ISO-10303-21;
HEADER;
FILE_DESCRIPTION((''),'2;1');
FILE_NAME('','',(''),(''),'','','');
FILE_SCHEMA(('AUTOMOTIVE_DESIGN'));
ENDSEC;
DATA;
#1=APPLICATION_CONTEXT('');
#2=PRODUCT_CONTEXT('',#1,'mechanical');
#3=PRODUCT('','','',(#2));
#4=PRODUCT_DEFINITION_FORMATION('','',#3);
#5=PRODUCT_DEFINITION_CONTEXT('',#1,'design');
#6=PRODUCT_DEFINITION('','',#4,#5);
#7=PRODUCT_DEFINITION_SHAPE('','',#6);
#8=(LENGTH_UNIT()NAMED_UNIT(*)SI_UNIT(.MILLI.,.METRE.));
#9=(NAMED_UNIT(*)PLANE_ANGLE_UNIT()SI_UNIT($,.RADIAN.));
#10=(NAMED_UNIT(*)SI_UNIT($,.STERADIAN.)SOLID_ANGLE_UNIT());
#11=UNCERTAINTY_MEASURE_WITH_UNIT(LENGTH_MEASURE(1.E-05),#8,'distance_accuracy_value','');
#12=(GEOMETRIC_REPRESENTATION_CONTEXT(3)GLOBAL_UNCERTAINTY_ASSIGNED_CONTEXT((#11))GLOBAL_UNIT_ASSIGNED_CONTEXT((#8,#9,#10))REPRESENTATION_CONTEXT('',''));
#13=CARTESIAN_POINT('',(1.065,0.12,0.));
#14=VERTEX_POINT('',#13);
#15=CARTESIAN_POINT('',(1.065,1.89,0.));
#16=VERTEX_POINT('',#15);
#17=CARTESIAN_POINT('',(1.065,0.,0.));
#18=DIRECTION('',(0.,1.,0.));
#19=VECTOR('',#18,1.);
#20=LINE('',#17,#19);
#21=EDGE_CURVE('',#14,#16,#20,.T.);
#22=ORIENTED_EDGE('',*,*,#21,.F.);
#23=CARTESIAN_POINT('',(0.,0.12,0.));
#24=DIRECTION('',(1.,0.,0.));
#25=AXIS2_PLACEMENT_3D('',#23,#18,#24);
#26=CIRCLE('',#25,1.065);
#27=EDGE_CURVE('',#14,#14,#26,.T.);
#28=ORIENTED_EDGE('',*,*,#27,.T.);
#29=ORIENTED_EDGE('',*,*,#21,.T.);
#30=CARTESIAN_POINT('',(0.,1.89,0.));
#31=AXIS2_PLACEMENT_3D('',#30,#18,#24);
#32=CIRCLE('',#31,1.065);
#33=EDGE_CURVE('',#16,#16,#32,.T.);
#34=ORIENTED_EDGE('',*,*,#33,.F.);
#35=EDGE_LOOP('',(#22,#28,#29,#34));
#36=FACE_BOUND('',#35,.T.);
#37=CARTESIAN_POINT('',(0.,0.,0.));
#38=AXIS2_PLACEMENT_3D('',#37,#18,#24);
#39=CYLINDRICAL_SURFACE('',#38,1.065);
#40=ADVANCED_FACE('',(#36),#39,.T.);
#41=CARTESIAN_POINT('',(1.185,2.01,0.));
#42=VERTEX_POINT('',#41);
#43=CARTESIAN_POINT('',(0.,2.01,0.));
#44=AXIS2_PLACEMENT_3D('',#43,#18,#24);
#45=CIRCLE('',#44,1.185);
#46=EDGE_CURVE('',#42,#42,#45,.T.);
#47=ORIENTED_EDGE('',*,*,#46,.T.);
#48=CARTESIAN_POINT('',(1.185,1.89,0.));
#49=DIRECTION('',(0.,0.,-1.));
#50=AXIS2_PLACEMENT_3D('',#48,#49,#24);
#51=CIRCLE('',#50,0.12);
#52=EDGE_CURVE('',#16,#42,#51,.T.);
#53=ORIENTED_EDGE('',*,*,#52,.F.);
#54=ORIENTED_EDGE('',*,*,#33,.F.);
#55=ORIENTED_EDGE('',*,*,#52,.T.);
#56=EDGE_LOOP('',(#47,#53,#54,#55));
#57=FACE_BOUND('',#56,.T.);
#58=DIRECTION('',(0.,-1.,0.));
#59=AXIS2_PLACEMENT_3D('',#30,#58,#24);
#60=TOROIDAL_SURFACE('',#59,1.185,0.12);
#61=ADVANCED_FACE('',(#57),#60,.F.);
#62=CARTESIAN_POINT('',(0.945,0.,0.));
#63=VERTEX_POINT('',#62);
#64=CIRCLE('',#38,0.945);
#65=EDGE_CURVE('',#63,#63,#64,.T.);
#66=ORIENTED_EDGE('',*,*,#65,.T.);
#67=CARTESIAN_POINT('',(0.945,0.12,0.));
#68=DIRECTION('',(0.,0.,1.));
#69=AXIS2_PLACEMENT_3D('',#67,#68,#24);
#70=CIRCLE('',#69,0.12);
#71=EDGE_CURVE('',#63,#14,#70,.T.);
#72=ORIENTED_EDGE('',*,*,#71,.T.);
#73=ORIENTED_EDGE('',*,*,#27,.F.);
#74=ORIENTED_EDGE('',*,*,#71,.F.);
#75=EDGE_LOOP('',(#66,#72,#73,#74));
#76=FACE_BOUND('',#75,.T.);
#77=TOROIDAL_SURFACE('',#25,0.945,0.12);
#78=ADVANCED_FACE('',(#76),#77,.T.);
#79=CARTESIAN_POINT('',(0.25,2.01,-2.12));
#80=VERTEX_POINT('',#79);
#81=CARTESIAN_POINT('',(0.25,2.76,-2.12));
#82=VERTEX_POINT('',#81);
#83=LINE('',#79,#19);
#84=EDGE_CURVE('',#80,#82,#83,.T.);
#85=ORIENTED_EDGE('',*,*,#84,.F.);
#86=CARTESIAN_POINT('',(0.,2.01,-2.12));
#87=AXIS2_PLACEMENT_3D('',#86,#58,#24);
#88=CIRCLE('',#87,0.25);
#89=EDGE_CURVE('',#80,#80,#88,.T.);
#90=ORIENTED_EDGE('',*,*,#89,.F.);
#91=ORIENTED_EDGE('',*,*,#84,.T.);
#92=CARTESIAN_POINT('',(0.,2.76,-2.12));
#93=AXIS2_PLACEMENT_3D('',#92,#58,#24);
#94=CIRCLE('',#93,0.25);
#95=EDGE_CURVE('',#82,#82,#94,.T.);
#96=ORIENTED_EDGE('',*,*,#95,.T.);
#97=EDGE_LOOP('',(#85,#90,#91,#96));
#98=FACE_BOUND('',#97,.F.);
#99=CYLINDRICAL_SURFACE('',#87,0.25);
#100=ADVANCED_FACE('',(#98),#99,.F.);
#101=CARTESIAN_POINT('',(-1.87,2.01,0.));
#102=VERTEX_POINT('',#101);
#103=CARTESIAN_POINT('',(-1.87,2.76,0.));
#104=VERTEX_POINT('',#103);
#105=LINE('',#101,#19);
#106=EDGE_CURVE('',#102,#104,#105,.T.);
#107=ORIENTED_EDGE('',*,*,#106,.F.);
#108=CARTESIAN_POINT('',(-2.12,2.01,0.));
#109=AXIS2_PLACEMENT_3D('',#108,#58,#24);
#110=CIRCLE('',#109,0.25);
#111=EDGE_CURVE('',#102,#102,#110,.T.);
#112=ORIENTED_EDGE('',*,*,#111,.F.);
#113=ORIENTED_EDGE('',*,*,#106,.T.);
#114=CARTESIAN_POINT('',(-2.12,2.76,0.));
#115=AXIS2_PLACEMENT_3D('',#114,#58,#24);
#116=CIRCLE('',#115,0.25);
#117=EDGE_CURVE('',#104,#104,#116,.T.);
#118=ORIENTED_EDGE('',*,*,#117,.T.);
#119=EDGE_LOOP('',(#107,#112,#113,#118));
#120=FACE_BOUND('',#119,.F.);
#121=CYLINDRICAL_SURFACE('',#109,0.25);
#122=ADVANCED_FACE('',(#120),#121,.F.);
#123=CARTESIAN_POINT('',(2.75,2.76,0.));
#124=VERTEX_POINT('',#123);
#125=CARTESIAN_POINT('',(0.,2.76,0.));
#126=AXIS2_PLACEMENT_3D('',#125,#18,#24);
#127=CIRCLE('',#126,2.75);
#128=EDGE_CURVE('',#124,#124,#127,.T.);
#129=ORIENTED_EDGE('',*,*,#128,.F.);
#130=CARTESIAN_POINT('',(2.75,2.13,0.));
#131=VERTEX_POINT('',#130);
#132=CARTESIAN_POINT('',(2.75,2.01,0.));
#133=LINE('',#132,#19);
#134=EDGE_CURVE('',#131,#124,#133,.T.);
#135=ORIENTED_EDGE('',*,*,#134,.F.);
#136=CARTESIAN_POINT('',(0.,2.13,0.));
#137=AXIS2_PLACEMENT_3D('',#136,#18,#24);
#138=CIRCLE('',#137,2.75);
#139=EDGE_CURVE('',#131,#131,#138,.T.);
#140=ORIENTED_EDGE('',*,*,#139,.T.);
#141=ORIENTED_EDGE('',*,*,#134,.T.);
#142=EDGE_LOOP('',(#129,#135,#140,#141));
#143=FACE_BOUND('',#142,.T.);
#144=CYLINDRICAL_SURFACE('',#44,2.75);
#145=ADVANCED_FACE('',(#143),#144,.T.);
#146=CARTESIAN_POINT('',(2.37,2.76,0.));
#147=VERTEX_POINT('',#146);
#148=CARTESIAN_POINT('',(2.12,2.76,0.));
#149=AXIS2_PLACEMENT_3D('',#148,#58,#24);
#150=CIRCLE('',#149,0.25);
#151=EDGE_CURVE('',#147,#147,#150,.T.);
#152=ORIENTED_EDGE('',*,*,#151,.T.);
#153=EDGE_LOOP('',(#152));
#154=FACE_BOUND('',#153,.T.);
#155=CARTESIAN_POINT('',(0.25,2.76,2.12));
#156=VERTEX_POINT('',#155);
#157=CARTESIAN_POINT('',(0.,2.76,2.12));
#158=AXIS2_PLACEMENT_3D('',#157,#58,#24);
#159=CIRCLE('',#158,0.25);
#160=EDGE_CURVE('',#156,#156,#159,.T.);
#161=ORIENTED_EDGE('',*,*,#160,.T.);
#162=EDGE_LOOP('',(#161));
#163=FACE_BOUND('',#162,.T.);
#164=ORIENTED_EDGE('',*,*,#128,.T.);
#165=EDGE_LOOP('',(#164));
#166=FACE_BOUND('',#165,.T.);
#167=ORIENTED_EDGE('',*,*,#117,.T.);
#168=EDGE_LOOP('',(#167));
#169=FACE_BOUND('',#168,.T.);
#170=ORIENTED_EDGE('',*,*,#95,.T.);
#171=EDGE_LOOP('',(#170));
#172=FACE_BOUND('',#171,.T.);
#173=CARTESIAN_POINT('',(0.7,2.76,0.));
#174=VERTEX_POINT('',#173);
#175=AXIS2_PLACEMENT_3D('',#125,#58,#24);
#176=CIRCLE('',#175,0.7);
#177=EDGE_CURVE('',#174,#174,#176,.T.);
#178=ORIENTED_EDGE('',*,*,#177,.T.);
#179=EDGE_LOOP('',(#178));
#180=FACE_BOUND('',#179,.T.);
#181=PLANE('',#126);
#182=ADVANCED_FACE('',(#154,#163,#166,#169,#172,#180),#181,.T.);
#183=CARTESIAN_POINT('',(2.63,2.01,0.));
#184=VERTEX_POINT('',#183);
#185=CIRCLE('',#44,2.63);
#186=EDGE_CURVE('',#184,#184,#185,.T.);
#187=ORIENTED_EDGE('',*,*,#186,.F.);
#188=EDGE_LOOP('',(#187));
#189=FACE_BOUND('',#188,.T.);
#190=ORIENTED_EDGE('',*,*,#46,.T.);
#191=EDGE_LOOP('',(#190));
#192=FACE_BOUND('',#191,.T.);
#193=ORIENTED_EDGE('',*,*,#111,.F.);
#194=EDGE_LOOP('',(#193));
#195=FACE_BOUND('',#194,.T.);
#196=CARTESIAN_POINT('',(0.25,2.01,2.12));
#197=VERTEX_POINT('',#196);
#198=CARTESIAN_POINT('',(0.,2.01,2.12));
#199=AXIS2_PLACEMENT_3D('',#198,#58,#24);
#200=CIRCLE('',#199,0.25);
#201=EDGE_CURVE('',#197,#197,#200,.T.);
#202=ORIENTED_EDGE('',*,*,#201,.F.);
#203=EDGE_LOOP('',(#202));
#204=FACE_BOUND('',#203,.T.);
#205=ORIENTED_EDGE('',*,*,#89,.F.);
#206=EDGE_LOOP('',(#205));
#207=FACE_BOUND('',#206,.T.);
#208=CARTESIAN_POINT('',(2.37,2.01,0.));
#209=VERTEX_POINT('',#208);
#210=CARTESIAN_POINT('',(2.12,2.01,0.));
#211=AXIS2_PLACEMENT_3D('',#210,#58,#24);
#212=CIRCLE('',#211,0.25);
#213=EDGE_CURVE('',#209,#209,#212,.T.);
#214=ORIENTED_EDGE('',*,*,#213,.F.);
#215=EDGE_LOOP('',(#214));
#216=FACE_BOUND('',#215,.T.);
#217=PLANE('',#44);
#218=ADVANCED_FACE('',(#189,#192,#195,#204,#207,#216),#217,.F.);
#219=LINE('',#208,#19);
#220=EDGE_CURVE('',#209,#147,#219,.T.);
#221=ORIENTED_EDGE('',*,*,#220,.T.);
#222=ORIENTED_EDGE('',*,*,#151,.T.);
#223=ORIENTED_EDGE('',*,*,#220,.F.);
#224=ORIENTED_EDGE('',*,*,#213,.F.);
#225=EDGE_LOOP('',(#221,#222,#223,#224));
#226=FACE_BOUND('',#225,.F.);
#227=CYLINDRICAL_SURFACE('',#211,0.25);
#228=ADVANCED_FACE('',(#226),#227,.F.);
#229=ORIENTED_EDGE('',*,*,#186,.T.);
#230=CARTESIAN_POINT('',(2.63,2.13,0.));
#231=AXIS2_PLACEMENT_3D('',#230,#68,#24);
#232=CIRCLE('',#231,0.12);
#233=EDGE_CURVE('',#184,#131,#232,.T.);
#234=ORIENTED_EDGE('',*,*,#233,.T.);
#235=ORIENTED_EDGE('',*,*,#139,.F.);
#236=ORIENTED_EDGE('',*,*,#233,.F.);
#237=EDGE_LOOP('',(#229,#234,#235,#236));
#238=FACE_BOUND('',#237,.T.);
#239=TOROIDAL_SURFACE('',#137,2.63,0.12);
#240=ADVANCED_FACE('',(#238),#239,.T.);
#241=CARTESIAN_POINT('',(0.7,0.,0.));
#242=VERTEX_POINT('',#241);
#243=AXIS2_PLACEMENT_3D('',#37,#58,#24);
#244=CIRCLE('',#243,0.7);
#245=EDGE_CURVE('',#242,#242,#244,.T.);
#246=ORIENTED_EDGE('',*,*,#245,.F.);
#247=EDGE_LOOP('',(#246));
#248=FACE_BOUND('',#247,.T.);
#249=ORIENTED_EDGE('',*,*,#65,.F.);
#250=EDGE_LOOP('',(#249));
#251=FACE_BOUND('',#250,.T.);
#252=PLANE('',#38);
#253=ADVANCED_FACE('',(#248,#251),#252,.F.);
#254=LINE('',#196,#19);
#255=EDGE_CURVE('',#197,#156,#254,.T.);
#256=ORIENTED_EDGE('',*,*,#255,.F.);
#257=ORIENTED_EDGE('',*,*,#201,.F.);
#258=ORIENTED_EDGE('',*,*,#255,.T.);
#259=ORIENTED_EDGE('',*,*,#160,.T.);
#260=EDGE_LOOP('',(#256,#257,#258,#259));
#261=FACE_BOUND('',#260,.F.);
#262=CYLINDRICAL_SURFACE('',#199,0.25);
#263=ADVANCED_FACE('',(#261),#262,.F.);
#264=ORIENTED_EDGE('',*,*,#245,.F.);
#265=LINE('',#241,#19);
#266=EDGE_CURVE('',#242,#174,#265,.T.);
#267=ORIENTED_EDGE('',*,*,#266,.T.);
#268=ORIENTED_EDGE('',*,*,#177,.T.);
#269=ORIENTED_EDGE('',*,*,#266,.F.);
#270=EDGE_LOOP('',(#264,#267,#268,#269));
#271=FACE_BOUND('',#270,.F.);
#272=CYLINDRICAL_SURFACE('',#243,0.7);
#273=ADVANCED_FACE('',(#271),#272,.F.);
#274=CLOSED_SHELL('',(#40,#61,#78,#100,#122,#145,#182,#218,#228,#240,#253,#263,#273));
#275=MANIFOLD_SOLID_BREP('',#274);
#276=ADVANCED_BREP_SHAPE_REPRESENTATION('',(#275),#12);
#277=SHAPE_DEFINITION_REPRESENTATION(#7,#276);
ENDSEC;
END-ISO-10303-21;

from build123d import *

# Parameters (mm, degrees)
F2_R     = 0.7
F3_DEPTH = 2.761
F4_R     = 0.25
F5_DEPTH = 0.751
F6_R     = 0.12


with BuildPart() as f1:
    # F0 (on Top) → F1 (revolve)
    with BuildSketch(Plane.XY):
        Polygon((0, 2.76), (0, 0), (1.065, 0), (1.065, 2.01), (2.75, 2.01), (2.75, 2.76), align=None)
    revolve(axis=Axis((0, 1.38, 0), (0, 1, 0)))

    # F2 (on face) → F3 (cut, through all)
    with BuildSketch(Plane.XZ):
        Circle(F2_R)
    extrude(amount=-F3_DEPTH, mode=Mode.SUBTRACT)

    # F4 (on face) → F5 (cut, through all)
    with BuildSketch(Plane.XZ.offset(-2.01)):
        with Locations((0, 2.12)):
            Circle(F4_R)
        with Locations((2.12, 0)):
            Circle(F4_R)
        with Locations((0, -2.12)):
            Circle(F4_R)
        with Locations((-2.12, 0)):
            Circle(F4_R)
    extrude(amount=-F5_DEPTH, mode=Mode.SUBTRACT)

    # F6
    f6_edges = [f1.edges().sort_by_distance(p)[0] for p in [
        (-2.75, 2.01, 0),
        (-1.065, 2.01, 0),
        (-1.065, 0, 0),
    ]]
    fillet(f6_edges, radius=F6_R)


solid = f1.part
